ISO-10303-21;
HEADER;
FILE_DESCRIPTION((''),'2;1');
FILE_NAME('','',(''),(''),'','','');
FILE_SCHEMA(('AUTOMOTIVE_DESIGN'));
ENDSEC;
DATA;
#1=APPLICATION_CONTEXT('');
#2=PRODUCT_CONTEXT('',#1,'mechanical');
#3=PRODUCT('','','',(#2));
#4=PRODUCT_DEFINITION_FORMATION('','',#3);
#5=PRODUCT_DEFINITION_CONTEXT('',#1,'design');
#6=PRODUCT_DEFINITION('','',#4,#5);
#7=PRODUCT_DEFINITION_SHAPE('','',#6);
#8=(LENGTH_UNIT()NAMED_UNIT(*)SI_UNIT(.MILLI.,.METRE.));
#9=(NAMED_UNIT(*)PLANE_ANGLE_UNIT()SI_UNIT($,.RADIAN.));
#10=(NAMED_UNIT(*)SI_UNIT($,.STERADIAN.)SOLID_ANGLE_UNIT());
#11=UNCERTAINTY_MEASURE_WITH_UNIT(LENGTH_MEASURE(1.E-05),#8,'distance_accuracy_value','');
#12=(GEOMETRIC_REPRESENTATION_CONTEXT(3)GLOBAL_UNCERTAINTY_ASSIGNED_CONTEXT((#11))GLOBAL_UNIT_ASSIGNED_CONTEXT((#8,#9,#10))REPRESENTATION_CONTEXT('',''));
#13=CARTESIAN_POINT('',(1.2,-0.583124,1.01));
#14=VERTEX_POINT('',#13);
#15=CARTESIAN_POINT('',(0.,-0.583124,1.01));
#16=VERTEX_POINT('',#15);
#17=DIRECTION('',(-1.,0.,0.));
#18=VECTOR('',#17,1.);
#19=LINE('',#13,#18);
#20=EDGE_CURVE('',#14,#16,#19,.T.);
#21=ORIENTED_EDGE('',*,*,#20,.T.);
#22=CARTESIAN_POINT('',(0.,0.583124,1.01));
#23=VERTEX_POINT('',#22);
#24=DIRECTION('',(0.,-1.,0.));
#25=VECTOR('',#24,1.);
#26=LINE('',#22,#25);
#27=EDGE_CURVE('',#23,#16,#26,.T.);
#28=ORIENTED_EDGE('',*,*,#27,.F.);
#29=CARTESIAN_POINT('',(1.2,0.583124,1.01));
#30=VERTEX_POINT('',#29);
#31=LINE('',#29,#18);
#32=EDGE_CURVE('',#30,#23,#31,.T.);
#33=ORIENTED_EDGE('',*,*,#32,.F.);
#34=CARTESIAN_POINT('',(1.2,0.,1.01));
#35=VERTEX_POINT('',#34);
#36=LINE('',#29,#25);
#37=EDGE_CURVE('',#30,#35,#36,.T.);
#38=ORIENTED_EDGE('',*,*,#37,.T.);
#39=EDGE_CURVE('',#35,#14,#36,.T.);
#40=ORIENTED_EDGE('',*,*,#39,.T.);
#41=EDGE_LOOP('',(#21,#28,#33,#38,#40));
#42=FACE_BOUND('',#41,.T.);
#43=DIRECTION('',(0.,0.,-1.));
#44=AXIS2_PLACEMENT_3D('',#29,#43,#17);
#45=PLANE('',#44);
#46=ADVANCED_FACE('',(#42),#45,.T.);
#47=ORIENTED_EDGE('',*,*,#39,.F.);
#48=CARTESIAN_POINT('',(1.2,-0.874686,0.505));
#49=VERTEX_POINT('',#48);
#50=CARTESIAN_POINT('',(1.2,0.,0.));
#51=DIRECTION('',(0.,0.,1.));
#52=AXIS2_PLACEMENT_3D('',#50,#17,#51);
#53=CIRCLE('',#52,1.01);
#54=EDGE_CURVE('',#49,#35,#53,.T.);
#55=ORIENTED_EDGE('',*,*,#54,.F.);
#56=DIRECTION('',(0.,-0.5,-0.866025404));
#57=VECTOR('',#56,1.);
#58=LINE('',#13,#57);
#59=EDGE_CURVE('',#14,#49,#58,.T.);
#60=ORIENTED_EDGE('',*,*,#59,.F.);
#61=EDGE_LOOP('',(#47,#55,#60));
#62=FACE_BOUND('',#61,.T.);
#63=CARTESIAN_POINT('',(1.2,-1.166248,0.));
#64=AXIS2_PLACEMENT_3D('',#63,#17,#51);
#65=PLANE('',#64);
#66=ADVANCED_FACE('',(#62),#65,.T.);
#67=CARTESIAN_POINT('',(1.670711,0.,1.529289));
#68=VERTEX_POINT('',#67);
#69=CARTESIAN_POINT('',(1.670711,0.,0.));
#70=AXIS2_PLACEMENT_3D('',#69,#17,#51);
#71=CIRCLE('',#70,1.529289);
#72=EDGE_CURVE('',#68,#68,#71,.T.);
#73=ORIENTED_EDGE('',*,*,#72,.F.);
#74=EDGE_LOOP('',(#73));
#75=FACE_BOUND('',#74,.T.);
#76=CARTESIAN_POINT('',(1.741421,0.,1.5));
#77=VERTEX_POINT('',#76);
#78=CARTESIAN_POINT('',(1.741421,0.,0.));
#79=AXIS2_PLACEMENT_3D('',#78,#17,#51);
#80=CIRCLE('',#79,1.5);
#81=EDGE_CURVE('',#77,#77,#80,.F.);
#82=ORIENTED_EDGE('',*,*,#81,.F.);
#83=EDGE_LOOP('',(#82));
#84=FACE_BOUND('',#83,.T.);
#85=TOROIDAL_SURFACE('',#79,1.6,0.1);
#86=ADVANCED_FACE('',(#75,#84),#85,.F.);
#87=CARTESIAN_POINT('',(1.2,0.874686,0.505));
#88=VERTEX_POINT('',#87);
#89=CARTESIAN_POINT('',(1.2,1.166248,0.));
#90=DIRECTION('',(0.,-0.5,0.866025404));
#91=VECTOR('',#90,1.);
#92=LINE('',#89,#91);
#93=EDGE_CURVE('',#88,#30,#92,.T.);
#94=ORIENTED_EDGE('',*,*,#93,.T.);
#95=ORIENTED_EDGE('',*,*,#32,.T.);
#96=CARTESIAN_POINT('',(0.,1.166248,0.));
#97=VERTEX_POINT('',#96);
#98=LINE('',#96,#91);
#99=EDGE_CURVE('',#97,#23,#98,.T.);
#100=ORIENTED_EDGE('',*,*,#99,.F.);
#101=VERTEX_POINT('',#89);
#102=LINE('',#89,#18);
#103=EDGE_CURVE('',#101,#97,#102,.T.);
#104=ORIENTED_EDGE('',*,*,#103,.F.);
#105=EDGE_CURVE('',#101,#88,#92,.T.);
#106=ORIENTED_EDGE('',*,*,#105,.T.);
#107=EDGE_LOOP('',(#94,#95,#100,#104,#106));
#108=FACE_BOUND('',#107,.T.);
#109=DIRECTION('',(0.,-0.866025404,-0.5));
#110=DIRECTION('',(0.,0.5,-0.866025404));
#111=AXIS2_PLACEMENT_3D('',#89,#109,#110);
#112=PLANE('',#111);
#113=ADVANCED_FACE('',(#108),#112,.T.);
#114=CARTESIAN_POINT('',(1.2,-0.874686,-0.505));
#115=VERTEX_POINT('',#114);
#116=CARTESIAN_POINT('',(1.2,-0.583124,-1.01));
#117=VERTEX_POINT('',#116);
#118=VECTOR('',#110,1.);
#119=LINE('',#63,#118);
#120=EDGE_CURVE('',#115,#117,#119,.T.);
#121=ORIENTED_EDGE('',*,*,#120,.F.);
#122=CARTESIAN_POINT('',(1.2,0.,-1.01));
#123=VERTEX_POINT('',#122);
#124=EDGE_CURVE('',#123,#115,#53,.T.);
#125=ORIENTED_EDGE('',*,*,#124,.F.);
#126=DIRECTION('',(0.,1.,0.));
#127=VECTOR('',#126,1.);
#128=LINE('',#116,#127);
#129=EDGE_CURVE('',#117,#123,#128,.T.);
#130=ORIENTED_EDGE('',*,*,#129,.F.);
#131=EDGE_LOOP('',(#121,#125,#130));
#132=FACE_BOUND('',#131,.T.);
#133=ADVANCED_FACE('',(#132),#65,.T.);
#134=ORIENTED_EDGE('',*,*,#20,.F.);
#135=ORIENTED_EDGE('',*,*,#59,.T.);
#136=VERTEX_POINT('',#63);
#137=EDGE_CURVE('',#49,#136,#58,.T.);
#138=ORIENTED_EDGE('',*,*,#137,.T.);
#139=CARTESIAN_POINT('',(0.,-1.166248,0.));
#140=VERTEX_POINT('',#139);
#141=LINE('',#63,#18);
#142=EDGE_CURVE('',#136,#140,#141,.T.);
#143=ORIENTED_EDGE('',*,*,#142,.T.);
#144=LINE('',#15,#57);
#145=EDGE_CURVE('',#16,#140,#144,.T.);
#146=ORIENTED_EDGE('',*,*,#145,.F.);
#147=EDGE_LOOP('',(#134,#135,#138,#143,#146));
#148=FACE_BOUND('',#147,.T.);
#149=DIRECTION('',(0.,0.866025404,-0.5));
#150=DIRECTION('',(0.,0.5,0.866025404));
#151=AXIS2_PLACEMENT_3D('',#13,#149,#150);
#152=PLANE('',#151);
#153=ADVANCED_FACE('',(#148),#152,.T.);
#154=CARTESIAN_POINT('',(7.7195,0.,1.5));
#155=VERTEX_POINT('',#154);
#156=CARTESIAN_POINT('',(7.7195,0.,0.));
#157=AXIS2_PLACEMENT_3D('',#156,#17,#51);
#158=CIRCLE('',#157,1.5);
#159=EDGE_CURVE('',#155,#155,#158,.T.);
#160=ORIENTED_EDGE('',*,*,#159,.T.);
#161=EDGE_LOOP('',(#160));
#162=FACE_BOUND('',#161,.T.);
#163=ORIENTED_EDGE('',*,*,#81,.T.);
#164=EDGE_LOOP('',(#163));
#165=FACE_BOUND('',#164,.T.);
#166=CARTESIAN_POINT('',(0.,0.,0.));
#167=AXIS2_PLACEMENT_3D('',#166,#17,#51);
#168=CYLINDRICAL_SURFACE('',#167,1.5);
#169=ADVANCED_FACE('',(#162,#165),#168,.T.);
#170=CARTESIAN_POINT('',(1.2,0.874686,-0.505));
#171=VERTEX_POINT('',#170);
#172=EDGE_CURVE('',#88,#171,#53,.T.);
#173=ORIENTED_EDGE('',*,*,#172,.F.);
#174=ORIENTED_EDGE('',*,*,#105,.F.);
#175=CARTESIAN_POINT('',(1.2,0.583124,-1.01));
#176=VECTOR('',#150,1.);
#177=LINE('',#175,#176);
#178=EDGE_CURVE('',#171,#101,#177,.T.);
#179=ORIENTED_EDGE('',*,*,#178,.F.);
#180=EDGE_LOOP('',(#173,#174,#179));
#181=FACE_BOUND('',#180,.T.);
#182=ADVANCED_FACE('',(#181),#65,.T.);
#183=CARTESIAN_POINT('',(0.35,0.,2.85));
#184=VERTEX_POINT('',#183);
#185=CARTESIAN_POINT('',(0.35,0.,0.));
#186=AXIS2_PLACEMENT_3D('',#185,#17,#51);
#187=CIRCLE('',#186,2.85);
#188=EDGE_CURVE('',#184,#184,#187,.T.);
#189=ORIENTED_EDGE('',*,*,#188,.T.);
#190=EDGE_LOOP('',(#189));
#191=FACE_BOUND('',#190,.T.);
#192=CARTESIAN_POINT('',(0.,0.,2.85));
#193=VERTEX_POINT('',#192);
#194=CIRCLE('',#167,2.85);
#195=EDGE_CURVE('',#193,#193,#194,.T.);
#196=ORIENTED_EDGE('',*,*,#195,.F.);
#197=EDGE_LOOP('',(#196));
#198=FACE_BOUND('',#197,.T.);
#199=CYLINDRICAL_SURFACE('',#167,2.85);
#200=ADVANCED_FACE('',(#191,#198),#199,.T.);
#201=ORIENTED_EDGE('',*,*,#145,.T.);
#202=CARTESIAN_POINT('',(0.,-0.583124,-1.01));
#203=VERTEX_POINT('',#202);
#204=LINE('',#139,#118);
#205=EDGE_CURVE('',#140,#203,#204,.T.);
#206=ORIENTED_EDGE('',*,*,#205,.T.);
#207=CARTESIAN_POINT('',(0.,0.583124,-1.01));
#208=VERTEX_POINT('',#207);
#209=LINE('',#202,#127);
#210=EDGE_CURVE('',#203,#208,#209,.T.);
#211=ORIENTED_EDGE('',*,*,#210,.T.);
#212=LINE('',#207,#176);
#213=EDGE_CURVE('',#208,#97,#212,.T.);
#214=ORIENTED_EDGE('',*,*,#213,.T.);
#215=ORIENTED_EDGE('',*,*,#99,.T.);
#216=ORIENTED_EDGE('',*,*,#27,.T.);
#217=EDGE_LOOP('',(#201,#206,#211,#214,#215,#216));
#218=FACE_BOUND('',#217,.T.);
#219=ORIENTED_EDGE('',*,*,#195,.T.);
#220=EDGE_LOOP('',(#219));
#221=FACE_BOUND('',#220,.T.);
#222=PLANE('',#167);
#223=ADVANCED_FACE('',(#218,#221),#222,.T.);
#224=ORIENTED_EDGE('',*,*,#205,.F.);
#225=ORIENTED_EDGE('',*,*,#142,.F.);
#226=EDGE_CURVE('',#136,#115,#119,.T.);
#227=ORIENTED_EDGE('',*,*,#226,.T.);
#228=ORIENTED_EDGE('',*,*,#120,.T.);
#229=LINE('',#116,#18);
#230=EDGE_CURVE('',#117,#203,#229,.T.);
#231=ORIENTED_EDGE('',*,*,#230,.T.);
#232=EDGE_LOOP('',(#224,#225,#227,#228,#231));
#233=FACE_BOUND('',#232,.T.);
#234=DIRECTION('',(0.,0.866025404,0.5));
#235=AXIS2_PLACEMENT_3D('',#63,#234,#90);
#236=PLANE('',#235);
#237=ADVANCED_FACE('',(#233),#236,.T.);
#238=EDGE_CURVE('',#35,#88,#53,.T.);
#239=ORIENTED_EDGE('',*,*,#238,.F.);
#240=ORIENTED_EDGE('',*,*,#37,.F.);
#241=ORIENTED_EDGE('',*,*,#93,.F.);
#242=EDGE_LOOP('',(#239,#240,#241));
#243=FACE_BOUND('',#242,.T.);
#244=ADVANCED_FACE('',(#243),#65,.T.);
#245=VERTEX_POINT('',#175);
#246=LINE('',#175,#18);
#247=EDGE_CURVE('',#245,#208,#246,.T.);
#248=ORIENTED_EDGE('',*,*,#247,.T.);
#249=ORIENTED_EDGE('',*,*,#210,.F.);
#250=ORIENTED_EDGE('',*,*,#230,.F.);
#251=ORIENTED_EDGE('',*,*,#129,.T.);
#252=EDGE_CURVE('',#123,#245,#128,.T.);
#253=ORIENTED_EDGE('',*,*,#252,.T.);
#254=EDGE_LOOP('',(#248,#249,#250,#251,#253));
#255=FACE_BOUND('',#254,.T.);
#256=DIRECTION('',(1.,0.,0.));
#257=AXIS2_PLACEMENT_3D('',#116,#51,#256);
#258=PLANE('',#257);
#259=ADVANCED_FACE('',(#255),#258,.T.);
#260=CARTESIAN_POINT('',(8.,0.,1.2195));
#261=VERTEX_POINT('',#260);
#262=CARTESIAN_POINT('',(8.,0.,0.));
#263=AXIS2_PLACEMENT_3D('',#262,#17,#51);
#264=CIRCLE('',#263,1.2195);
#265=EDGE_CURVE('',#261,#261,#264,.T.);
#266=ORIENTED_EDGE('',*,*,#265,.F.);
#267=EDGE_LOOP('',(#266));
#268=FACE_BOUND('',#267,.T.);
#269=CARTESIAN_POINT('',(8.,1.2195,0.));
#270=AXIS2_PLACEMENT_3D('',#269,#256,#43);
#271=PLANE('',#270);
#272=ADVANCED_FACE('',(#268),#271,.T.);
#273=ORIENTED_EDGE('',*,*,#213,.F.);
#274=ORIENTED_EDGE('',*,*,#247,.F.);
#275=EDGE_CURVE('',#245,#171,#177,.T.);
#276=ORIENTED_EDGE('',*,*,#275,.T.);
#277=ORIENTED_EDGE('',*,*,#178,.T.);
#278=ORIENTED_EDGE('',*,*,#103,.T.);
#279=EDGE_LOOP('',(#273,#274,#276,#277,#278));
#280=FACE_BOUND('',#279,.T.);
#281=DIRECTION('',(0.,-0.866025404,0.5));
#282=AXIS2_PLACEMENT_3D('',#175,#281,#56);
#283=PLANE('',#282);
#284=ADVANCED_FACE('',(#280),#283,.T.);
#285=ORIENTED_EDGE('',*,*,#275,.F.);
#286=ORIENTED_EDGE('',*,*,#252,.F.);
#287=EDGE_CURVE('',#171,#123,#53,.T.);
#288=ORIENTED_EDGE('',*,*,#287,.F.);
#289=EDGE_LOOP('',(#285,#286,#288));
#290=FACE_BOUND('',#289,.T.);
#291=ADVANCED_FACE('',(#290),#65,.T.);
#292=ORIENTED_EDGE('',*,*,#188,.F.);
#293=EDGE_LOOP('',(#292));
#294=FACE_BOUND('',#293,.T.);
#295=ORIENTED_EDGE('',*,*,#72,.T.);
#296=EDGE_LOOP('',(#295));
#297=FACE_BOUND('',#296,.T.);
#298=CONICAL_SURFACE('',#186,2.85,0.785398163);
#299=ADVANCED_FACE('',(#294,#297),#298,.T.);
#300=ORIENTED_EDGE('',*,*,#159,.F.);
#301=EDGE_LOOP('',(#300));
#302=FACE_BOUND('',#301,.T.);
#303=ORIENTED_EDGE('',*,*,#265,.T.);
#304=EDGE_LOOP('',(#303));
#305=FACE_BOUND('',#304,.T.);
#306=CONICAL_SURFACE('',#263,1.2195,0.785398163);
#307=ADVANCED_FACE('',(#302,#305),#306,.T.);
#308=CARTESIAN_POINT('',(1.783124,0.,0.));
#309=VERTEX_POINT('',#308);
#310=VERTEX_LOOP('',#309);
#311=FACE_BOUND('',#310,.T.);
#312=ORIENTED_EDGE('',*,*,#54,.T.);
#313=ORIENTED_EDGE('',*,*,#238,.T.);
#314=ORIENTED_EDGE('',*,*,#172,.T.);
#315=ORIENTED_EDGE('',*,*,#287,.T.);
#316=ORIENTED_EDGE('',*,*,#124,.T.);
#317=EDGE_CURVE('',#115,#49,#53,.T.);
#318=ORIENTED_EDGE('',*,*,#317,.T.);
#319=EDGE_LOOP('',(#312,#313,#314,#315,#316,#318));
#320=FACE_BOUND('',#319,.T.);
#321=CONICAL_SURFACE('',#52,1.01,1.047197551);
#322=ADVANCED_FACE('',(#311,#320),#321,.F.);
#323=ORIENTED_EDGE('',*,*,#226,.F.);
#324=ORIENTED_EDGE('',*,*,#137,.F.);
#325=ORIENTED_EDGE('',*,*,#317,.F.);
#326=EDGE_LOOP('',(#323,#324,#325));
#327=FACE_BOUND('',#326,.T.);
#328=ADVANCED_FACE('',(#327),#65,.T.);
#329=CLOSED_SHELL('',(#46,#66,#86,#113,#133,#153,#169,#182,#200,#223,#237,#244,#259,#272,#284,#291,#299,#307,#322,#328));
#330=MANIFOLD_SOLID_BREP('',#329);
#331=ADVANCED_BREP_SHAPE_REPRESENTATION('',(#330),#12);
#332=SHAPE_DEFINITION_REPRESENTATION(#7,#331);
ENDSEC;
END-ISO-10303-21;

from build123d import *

# Parameters (mm, degrees)
FILLET1_R   = 0.1
HEX_2_DEPTH = 1.2


with BuildPart() as part:
    # BodySke → BaseBody (revolve)
    with BuildSketch(Plane.XY):
        Polygon((0, 0), (0, 2.85), (0.35, 2.85), (1.7, 1.5), (7.7195, 1.5), (8, 1.2195), (8, 0), align=None)
    revolve(axis=Axis((0, 0, 0), (1, 0, 0)))

    # Fillet1
    fillet1_edges = [part.edges().sort_by_distance(p)[0] for p in [
        (1.7, -1.5, 0),
    ]]
    fillet(fillet1_edges, radius=FILLET1_R)

    # Sketch2 → PreBroach (revolve, cut)
    with BuildSketch(Plane.XY):
        Polygon((0, 1.01), (1.2, 1.01), (1.783123772, 0), (0, 0), align=None)
    revolve(axis=Axis((0, 0, 0), (1, 0, 0)), mode=Mode.SUBTRACT)

    # Sketch3 → Hex 2 (cut)
    with BuildSketch(Plane.ZY):
        Polygon((-1.01, -0.583123772), (-1.01, 0.583123772), (0, 1.166247544), (1.01, 0.583123772), (1.01, -0.583123772), (0, -1.166247544), align=None)
    extrude(amount=-HEX_2_DEPTH, mode=Mode.SUBTRACT)


solid = part.part
